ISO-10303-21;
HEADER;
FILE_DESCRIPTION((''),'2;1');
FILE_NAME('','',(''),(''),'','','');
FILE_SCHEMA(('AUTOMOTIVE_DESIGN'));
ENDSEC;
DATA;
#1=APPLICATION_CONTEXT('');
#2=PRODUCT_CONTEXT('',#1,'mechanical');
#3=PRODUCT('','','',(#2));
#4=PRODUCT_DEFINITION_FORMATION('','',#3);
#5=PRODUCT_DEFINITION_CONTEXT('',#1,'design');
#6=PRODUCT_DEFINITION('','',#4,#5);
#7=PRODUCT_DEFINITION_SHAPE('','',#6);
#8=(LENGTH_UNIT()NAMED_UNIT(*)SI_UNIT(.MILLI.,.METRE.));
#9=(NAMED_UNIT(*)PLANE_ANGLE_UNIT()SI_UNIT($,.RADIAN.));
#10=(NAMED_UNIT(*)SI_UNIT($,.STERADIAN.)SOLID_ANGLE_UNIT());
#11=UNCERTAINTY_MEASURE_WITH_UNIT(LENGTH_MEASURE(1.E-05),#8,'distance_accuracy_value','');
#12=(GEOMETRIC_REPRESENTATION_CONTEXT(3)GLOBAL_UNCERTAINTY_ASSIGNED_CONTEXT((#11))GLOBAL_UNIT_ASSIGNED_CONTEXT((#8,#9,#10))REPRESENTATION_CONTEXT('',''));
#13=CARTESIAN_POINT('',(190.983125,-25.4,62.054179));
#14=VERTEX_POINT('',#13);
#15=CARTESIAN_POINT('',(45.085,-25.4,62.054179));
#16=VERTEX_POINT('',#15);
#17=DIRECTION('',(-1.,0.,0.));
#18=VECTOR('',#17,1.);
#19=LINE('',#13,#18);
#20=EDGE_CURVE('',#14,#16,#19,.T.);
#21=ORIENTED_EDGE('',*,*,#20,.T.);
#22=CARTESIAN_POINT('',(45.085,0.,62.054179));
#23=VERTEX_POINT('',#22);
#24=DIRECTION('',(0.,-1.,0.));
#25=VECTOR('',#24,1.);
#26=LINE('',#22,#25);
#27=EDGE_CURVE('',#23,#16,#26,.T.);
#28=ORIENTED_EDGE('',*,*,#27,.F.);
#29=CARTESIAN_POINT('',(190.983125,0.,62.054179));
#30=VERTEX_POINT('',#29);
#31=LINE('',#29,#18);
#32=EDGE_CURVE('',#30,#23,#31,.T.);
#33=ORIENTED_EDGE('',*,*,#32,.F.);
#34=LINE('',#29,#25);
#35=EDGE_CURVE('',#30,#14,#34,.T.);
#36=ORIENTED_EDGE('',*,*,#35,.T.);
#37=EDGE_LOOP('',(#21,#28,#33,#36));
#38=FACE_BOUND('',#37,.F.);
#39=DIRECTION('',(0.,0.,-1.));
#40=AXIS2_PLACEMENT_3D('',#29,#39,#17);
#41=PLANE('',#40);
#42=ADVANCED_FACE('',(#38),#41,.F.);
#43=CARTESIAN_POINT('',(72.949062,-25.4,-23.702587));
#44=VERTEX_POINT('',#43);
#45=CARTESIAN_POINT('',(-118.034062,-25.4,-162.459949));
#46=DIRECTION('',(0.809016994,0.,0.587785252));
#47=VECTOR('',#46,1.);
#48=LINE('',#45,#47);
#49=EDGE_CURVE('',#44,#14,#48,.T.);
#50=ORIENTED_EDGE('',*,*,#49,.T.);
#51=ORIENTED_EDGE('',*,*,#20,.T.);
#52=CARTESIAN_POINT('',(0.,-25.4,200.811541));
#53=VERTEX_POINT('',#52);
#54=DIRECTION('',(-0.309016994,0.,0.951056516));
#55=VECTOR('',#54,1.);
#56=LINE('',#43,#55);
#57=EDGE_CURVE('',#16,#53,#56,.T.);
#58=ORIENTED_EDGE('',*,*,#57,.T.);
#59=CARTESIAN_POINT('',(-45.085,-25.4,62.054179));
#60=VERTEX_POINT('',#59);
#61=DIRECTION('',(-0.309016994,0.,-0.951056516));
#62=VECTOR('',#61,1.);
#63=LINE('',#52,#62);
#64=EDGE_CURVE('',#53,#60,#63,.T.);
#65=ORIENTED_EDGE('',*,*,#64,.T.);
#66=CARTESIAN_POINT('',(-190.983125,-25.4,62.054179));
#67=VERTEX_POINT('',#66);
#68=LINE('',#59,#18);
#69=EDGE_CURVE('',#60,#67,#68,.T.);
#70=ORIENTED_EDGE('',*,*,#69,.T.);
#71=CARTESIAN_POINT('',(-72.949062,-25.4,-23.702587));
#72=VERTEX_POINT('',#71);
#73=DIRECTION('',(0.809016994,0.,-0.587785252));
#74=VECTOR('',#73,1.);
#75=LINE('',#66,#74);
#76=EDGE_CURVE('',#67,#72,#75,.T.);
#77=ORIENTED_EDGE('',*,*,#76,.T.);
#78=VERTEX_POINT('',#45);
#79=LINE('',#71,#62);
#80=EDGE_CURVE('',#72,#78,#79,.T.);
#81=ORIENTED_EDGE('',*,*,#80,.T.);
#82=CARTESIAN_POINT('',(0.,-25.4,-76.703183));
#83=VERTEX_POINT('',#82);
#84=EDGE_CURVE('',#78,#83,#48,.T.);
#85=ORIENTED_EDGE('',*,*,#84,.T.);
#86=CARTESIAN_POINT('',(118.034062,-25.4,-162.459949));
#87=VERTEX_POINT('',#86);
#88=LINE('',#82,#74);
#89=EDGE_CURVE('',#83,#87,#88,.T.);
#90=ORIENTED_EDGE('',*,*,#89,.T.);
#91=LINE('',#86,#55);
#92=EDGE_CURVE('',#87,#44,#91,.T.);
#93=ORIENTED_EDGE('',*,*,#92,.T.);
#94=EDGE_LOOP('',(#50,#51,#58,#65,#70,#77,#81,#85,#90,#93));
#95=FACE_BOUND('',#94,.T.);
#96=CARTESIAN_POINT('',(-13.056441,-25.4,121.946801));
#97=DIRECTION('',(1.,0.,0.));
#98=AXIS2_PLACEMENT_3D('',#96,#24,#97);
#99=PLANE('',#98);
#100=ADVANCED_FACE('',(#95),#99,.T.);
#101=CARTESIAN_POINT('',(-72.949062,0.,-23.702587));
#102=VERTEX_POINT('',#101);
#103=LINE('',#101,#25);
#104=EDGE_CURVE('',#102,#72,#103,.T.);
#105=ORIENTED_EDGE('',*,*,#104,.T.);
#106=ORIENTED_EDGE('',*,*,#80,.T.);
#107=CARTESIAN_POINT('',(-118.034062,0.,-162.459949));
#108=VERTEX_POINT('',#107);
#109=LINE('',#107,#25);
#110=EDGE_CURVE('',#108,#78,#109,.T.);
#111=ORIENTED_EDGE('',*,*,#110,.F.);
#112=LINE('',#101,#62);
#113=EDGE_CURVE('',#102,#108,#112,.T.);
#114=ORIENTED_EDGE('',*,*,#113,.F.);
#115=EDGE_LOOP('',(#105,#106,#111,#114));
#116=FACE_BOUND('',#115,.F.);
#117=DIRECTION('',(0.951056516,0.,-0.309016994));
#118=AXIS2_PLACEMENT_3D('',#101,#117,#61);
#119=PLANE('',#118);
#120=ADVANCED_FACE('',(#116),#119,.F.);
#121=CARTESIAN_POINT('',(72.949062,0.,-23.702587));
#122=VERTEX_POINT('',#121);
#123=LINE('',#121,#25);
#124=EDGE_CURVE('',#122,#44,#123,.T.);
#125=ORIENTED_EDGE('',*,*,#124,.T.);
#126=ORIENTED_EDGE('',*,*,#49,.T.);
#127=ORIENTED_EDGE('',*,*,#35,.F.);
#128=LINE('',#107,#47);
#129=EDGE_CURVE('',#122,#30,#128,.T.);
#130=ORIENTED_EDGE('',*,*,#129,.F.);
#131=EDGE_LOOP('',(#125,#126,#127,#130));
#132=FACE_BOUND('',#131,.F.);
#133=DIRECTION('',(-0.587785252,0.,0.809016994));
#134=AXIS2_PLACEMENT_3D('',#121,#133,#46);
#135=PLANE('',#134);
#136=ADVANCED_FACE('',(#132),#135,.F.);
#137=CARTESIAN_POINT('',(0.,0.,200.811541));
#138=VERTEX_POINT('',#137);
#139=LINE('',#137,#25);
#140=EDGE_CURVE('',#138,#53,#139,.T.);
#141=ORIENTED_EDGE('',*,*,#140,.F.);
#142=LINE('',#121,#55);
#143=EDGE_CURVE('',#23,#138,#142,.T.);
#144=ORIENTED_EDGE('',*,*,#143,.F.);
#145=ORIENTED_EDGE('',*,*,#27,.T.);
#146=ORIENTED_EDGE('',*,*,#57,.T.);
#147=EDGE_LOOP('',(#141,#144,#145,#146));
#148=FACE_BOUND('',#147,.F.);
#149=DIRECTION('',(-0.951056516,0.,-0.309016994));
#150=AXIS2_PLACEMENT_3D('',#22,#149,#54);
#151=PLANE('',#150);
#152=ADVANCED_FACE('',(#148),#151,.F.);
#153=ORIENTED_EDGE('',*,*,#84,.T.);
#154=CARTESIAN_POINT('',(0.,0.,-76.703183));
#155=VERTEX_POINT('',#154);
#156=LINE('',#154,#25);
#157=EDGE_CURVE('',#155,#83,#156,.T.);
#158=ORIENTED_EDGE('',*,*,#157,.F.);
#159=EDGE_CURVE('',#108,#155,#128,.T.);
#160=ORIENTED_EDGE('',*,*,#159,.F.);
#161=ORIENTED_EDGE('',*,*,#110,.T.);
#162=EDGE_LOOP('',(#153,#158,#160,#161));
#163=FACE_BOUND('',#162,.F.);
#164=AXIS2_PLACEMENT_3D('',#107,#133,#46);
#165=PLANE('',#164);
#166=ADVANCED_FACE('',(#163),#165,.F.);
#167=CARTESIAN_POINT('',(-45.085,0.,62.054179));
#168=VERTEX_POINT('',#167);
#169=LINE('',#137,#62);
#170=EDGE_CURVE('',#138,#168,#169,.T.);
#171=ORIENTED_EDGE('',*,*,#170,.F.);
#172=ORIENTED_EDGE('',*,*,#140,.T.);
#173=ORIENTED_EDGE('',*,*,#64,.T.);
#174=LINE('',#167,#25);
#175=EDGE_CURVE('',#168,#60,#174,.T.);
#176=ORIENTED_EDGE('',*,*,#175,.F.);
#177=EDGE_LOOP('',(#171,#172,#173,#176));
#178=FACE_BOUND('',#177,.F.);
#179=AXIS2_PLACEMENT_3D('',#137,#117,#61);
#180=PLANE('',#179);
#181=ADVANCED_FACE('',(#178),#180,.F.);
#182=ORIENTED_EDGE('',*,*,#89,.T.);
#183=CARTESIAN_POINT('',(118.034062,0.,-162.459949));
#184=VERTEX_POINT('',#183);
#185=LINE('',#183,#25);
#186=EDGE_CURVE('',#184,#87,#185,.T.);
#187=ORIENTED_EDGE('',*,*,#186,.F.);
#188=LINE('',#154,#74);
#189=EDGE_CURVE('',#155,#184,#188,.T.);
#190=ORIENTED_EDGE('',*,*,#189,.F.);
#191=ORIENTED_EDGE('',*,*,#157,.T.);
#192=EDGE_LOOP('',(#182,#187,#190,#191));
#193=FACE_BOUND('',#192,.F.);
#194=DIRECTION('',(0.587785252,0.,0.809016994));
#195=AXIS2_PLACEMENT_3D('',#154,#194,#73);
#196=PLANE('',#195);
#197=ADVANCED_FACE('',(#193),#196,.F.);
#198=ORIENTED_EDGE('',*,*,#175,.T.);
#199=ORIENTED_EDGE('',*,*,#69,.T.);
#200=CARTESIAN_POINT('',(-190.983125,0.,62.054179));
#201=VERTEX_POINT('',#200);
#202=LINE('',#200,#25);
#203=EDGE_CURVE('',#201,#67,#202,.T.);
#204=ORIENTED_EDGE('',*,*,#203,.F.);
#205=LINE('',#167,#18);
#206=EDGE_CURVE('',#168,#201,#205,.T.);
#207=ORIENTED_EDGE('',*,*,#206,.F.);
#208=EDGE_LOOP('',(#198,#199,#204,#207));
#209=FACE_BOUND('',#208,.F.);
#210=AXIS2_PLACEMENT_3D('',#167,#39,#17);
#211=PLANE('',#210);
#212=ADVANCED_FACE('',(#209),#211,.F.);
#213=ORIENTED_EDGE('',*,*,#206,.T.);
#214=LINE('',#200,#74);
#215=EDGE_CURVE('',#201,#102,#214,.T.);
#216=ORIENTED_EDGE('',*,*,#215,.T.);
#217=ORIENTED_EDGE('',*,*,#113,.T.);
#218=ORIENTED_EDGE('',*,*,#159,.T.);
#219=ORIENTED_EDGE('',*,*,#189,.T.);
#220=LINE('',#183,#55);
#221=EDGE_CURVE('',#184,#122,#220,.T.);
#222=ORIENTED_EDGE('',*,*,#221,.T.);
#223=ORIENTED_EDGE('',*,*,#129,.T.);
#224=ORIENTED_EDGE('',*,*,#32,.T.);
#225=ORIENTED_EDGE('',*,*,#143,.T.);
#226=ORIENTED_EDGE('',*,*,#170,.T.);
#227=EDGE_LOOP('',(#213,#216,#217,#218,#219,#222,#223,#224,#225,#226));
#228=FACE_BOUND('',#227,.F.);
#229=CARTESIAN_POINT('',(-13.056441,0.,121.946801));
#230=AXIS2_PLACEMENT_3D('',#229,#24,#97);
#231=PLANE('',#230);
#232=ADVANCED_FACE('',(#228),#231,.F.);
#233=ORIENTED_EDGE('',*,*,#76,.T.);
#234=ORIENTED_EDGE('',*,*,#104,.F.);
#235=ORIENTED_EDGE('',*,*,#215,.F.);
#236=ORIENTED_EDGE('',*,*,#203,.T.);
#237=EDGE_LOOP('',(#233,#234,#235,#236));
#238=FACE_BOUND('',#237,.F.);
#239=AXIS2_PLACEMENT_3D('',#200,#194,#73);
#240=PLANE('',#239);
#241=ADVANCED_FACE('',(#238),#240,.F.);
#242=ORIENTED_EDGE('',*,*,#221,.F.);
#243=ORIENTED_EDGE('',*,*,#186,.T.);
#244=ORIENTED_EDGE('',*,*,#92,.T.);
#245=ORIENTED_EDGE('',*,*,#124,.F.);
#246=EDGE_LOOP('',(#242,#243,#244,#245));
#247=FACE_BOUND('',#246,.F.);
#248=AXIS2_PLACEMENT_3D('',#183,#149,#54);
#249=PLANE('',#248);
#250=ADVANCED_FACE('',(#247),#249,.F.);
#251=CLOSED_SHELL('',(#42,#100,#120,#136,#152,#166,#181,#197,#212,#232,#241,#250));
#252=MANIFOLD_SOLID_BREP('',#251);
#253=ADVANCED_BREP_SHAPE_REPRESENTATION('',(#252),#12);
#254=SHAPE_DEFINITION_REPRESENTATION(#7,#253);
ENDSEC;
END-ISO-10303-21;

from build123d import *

# Parameters (mm, degrees)
F1_DEPTH = 25.4


with BuildPart() as f1:
    # F0 (on Front) → F1 (new body)
    with BuildSketch(Plane.XZ):
        Polygon((0, 200.811541158), (-45.085, 62.0541788844), (0, 62.0541788844), align=None)
        Polygon((0, 0), (-45.085, 62.0541788844), (-59.0170311914, 19.1757958473), align=None)
        Polygon((-59.0170311914, 19.1757958473), (-45.085, 62.0541788844), (-190.9831247656, 62.0541788844), align=None)
        Polygon((0, 62.0541788844), (-45.085, 62.0541788844), (0, 0), align=None)
        Polygon((0, 200.811541158), (0, 62.0541788844), (45.085, 62.0541788844), align=None)
        Polygon((45.085, 62.0541788844), (0, 62.0541788844), (0, 0), align=None)
        Polygon((0, 0), (-59.0170311914, 19.1757958473), (-72.9490623828, -23.7025871899), align=None)
        Polygon((-72.9490623828, -23.7025871899), (-59.0170311914, 19.1757958473), (-190.9831247656, 62.0541788844), align=None)
        Polygon((0, -76.7031833891), (0, 0), (-36.4745311914, -50.2028852895), align=None)
        Polygon((45.085, 62.0541788844), (0, 0), (59.0170311914, 19.1757958473), align=None)
        Polygon((72.9490623828, -23.7025871899), (0, 0), (36.4745311914, -50.2028852895), align=None)
        Polygon((-36.4745311914, -50.2028852895), (0, 0), (-72.9490623828, -23.7025871899), align=None)
        Polygon((36.4745311914, -50.2028852895), (0, 0), (0, -76.7031833891), align=None)
        Polygon((59.0170311914, 19.1757958473), (0, 0), (72.9490623828, -23.7025871899), align=None)
        Polygon((190.9831247656, 62.0541788844), (45.085, 62.0541788844), (59.0170311914, 19.1757958473), align=None)
        Polygon((-36.4745311914, -50.2028852895), (-72.9490623828, -23.7025871899), (-118.0340623828, -162.4599494634), align=None)
        Polygon((0, -76.7031833891), (-36.4745311914, -50.2028852895), (-118.0340623828, -162.4599494634), align=None)
        Polygon((190.9831247656, 62.0541788844), (59.0170311914, 19.1757958473), (72.9490623828, -23.7025871899), align=None)
        Polygon((118.0340623828, -162.4599494634), (36.4745311914, -50.2028852895), (0, -76.7031833891), align=None)
        Polygon((72.9490623828, -23.7025871899), (36.4745311914, -50.2028852895), (118.0340623828, -162.4599494634), align=None)
    extrude(amount=F1_DEPTH)


solid = f1.part
